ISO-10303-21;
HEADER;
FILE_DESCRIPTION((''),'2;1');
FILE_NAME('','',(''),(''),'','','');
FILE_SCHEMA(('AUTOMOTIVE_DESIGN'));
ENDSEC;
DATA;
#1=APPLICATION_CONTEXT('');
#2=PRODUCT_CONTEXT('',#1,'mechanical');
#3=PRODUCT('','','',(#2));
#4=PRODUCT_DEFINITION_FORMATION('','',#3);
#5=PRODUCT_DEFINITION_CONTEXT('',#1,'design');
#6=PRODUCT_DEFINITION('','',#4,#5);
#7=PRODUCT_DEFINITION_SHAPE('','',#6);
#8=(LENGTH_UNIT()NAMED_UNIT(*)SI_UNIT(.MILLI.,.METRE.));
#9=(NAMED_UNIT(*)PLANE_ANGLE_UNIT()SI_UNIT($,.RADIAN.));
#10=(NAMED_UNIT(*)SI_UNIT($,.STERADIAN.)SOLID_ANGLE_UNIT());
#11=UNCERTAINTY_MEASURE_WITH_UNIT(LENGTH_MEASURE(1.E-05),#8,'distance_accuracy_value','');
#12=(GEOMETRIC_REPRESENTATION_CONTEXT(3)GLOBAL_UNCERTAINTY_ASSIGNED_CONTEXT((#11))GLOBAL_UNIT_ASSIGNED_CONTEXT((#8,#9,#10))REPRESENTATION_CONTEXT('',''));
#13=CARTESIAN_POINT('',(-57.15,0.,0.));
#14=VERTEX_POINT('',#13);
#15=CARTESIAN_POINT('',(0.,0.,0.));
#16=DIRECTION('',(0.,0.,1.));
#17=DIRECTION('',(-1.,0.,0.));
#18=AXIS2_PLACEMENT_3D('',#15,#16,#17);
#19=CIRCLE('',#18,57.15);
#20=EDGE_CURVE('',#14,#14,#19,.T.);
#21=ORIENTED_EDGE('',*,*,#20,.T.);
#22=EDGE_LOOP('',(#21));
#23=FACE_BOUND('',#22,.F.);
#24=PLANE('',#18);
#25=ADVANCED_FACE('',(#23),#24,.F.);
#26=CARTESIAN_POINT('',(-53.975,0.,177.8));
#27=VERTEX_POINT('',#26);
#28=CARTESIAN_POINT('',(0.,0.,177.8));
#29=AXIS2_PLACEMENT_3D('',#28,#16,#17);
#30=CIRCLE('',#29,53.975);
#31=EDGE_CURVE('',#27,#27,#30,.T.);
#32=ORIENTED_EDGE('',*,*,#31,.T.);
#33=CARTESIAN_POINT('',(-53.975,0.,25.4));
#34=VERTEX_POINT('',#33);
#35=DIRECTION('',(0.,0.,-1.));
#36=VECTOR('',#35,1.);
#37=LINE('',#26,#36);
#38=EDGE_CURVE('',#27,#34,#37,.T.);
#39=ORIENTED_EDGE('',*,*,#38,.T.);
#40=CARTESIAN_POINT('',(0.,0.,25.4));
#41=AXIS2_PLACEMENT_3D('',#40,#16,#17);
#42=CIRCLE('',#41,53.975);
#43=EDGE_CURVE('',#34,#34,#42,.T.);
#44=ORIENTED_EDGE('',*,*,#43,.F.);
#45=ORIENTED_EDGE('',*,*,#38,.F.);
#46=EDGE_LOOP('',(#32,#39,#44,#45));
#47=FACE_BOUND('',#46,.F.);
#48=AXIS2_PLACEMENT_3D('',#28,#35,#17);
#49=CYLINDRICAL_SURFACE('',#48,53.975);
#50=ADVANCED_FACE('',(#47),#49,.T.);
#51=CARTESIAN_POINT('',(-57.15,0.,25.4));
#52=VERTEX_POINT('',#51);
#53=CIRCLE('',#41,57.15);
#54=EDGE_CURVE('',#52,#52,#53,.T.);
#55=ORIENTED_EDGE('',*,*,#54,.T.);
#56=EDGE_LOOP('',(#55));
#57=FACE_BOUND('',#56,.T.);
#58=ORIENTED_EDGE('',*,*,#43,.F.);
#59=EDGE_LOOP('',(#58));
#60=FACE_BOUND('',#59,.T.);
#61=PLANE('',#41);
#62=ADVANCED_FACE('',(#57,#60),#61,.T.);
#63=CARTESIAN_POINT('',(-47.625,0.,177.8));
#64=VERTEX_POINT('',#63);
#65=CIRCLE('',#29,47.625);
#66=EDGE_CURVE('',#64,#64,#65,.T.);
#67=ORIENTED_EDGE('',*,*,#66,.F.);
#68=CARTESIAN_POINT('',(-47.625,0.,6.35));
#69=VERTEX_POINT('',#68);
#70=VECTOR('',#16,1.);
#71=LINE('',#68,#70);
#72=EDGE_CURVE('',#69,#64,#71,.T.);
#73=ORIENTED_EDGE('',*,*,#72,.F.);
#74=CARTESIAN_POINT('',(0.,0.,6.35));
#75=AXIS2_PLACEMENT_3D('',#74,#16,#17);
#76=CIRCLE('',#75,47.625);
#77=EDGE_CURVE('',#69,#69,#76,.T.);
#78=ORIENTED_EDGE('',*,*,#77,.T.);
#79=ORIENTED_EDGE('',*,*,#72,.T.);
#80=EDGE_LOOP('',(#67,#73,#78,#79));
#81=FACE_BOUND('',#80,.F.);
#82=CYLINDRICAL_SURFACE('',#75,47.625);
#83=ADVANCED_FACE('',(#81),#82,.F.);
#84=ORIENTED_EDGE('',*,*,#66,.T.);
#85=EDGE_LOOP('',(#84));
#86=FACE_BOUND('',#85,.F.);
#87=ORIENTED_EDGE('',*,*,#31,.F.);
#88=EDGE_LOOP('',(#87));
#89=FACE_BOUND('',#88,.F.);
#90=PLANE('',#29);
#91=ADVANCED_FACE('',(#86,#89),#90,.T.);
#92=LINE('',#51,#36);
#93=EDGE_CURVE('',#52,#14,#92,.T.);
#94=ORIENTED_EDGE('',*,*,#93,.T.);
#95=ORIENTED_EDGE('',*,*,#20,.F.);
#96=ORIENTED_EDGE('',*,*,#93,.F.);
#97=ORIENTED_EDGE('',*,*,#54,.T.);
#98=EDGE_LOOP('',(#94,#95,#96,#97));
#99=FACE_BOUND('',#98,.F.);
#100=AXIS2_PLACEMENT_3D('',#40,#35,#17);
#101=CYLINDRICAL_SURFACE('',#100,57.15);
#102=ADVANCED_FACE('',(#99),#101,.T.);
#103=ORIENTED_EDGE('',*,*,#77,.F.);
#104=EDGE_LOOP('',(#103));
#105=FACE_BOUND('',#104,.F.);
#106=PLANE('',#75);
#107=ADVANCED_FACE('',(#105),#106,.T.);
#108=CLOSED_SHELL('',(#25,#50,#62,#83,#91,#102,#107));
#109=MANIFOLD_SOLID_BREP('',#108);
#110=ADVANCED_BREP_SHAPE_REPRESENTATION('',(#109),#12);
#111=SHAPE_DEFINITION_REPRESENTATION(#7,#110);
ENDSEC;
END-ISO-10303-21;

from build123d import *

# Parameters (mm, degrees)
F0_W = 3.175
F0_H = 19.05


with BuildPart() as f1:
    # F0 (on Front) → F1 (revolve)
    with BuildSketch(Plane.XZ):
        Polygon((-57.15, 0), (0, 0), (0, 6.35), (-47.625, 6.35), (-53.975, 6.35), (-57.15, 6.35), align=None)
        with Locations((-55.5625, 15.875)):
            Rectangle(F0_W, F0_H)
        Polygon((-53.975, 6.35), (-47.625, 6.35), (-47.625, 177.8), (-53.975, 177.8), (-53.975, 25.4), align=None)
    revolve(axis=Axis((0, 0, 3.175), (0, 0, 1)))


solid = f1.part
